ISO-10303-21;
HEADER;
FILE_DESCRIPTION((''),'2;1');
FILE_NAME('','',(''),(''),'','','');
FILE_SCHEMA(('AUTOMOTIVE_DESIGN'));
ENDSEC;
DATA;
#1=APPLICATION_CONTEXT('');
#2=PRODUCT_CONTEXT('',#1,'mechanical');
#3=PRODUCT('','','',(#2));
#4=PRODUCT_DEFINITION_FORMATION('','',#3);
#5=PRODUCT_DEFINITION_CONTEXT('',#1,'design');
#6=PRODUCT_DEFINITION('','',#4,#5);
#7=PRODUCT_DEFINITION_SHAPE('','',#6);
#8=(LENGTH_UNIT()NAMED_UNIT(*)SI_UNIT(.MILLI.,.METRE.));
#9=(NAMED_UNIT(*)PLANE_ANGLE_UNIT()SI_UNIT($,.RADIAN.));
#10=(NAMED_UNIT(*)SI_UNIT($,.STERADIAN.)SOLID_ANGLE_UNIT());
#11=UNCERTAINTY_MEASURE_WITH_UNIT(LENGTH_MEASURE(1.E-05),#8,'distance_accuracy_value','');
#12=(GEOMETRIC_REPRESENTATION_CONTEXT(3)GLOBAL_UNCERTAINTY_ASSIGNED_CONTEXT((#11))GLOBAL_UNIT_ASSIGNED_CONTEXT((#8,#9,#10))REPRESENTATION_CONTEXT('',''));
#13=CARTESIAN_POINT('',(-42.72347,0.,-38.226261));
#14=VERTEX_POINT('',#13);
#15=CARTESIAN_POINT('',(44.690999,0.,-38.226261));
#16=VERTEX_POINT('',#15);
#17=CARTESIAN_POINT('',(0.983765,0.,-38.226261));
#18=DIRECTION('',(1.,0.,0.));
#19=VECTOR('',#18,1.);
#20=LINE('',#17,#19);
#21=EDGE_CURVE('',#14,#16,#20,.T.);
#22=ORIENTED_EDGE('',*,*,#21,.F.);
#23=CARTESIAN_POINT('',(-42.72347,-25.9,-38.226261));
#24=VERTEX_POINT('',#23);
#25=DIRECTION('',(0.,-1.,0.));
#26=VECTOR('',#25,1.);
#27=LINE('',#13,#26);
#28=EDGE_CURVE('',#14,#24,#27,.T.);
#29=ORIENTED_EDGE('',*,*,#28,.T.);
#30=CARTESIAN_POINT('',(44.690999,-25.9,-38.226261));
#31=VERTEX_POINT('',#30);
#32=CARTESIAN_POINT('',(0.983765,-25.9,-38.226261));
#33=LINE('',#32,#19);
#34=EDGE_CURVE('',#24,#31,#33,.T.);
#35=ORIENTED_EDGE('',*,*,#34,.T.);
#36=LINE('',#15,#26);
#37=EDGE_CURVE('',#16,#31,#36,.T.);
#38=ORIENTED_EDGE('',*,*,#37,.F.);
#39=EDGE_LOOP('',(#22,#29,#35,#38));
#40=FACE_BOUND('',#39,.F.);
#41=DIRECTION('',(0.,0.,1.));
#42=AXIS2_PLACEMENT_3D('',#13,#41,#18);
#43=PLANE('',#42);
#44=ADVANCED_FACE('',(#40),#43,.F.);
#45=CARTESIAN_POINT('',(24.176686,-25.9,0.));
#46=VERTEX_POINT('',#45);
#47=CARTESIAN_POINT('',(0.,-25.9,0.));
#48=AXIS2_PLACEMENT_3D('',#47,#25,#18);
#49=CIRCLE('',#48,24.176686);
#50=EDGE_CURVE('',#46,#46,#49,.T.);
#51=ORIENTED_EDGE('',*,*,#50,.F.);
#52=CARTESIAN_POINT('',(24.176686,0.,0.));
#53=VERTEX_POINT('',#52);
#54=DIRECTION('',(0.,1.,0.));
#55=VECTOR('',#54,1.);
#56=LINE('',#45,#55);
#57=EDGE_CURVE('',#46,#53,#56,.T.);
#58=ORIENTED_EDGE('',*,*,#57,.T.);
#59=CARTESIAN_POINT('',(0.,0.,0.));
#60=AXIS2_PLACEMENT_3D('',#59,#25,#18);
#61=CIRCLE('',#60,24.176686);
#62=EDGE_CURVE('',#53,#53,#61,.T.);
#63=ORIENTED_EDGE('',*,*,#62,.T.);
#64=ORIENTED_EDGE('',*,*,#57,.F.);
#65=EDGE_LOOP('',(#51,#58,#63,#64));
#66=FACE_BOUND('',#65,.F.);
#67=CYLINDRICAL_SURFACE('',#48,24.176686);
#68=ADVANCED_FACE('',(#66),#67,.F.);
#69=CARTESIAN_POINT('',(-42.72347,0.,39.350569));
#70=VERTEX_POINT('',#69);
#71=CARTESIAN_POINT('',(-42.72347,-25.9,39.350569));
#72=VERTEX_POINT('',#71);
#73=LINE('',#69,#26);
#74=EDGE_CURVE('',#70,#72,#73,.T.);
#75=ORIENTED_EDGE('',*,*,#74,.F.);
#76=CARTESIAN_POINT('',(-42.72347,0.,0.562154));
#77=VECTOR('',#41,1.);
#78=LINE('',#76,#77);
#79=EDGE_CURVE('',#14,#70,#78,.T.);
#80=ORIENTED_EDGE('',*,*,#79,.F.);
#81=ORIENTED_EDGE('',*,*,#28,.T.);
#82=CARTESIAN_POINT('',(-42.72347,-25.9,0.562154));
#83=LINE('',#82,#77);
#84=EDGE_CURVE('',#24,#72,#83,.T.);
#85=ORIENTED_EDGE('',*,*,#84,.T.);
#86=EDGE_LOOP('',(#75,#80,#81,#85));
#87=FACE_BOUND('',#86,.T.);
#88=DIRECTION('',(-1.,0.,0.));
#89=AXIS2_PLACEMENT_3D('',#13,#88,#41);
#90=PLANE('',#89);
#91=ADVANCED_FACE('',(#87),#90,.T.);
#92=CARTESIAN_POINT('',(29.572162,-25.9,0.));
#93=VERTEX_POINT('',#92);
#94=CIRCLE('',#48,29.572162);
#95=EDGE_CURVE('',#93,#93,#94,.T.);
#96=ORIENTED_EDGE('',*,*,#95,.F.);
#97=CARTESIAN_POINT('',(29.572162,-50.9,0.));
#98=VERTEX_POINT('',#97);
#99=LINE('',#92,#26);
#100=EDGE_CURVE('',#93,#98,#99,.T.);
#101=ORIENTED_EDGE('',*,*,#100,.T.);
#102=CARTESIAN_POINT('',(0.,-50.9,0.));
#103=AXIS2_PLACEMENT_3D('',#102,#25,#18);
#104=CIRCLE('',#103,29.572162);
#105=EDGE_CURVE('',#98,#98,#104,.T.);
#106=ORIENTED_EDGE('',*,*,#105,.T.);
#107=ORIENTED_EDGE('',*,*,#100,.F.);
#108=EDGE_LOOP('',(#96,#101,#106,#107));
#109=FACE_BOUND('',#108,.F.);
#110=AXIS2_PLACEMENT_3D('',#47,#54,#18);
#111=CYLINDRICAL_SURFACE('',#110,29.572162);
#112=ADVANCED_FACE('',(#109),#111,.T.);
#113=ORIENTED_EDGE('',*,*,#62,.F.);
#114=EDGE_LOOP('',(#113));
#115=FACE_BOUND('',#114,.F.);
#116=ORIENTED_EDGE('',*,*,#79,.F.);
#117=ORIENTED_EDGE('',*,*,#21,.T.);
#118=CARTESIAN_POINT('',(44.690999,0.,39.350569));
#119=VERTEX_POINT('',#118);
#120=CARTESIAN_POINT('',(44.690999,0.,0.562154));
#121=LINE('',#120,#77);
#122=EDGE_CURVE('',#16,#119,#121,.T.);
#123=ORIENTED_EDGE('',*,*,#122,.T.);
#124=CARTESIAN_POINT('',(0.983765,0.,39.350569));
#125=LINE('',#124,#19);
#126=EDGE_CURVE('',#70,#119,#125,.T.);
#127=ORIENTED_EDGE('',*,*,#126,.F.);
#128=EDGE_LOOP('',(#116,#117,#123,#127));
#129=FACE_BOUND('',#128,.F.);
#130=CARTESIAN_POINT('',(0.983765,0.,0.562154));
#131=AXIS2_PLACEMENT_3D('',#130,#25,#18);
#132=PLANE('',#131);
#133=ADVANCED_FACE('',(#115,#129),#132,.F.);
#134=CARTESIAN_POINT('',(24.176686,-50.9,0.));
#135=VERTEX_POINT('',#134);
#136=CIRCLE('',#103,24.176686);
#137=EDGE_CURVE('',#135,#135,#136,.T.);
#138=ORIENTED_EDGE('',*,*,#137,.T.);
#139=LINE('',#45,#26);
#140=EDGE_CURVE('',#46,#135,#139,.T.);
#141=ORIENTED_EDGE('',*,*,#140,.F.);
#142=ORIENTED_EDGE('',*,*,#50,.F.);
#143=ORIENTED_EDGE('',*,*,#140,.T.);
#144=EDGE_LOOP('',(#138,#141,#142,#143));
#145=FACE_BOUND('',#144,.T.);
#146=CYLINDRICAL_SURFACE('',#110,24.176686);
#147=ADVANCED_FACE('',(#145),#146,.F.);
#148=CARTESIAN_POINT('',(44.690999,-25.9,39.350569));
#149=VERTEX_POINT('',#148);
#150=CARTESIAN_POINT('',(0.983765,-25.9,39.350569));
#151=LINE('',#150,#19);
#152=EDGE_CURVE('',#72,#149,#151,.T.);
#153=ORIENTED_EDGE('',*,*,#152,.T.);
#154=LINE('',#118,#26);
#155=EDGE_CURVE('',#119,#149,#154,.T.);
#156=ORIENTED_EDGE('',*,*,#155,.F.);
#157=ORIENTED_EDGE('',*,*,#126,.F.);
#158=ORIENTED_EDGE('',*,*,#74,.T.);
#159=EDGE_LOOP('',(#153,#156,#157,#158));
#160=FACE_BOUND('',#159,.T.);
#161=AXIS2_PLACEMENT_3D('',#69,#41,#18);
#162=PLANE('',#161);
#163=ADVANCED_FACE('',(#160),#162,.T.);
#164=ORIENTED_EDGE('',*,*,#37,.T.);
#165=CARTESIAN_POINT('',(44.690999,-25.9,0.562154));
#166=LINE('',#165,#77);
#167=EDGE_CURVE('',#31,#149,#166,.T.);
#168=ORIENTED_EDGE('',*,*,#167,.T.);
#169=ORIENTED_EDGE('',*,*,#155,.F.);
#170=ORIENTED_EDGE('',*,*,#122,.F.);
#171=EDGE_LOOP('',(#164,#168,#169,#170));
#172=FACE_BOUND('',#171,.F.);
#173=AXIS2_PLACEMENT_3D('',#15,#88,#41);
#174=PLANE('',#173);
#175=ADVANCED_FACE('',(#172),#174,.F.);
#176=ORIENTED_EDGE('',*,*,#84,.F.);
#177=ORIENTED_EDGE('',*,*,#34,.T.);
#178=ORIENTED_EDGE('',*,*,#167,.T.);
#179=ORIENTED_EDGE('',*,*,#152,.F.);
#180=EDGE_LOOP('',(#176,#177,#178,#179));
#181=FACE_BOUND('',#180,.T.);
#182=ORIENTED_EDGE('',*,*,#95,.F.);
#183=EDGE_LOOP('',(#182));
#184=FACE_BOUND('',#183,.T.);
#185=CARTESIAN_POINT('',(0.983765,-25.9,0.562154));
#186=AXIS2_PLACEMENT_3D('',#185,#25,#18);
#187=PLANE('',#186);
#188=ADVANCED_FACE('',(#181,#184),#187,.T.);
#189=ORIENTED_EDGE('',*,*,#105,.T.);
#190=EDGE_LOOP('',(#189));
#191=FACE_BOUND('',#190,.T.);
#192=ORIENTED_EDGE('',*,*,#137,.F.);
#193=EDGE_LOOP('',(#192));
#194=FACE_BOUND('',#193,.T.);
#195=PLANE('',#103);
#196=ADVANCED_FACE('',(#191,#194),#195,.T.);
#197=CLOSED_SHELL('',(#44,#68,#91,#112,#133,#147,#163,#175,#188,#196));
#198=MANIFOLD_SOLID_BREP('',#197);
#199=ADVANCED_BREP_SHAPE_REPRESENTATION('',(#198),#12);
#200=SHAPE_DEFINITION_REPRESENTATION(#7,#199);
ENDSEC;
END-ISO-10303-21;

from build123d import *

# Parameters (mm, degrees)
F0_W     = 87.414469
F0_H     = 77.576831
F1_DEPTH = 25.9
F2_R     = 29.572162
F2_R_2   = 24.176686
F3_DEPTH = 25
F4_DEPTH = 41.6
F5_DEPTH = 58.3


with BuildPart() as f1:
    # F0 (on Front) → F1 (new body)
    with BuildSketch(Plane.XZ):
        with Locations((0.983765, 0.562154)):
            Rectangle(F0_W, F0_H)
    extrude(amount=F1_DEPTH)

    # F2 (on face) → F3 (join)
    with BuildSketch(Plane.XZ.offset(25.9)):
        Circle(F2_R)
        Circle(F2_R_2, mode=Mode.SUBTRACT)
    extrude(amount=F3_DEPTH)

    # F2 (on face) → F4 (cut)
    with BuildSketch(Plane.XZ.offset(25.9)):
        Circle(F2_R_2)
    extrude(amount=-F4_DEPTH, mode=Mode.SUBTRACT)

    # F2 (on face) → F5 (cut)
    with BuildSketch(Plane.XZ.offset(25.9)):
        Circle(F2_R_2)
    extrude(amount=-F5_DEPTH, mode=Mode.SUBTRACT)


solid = f1.part
